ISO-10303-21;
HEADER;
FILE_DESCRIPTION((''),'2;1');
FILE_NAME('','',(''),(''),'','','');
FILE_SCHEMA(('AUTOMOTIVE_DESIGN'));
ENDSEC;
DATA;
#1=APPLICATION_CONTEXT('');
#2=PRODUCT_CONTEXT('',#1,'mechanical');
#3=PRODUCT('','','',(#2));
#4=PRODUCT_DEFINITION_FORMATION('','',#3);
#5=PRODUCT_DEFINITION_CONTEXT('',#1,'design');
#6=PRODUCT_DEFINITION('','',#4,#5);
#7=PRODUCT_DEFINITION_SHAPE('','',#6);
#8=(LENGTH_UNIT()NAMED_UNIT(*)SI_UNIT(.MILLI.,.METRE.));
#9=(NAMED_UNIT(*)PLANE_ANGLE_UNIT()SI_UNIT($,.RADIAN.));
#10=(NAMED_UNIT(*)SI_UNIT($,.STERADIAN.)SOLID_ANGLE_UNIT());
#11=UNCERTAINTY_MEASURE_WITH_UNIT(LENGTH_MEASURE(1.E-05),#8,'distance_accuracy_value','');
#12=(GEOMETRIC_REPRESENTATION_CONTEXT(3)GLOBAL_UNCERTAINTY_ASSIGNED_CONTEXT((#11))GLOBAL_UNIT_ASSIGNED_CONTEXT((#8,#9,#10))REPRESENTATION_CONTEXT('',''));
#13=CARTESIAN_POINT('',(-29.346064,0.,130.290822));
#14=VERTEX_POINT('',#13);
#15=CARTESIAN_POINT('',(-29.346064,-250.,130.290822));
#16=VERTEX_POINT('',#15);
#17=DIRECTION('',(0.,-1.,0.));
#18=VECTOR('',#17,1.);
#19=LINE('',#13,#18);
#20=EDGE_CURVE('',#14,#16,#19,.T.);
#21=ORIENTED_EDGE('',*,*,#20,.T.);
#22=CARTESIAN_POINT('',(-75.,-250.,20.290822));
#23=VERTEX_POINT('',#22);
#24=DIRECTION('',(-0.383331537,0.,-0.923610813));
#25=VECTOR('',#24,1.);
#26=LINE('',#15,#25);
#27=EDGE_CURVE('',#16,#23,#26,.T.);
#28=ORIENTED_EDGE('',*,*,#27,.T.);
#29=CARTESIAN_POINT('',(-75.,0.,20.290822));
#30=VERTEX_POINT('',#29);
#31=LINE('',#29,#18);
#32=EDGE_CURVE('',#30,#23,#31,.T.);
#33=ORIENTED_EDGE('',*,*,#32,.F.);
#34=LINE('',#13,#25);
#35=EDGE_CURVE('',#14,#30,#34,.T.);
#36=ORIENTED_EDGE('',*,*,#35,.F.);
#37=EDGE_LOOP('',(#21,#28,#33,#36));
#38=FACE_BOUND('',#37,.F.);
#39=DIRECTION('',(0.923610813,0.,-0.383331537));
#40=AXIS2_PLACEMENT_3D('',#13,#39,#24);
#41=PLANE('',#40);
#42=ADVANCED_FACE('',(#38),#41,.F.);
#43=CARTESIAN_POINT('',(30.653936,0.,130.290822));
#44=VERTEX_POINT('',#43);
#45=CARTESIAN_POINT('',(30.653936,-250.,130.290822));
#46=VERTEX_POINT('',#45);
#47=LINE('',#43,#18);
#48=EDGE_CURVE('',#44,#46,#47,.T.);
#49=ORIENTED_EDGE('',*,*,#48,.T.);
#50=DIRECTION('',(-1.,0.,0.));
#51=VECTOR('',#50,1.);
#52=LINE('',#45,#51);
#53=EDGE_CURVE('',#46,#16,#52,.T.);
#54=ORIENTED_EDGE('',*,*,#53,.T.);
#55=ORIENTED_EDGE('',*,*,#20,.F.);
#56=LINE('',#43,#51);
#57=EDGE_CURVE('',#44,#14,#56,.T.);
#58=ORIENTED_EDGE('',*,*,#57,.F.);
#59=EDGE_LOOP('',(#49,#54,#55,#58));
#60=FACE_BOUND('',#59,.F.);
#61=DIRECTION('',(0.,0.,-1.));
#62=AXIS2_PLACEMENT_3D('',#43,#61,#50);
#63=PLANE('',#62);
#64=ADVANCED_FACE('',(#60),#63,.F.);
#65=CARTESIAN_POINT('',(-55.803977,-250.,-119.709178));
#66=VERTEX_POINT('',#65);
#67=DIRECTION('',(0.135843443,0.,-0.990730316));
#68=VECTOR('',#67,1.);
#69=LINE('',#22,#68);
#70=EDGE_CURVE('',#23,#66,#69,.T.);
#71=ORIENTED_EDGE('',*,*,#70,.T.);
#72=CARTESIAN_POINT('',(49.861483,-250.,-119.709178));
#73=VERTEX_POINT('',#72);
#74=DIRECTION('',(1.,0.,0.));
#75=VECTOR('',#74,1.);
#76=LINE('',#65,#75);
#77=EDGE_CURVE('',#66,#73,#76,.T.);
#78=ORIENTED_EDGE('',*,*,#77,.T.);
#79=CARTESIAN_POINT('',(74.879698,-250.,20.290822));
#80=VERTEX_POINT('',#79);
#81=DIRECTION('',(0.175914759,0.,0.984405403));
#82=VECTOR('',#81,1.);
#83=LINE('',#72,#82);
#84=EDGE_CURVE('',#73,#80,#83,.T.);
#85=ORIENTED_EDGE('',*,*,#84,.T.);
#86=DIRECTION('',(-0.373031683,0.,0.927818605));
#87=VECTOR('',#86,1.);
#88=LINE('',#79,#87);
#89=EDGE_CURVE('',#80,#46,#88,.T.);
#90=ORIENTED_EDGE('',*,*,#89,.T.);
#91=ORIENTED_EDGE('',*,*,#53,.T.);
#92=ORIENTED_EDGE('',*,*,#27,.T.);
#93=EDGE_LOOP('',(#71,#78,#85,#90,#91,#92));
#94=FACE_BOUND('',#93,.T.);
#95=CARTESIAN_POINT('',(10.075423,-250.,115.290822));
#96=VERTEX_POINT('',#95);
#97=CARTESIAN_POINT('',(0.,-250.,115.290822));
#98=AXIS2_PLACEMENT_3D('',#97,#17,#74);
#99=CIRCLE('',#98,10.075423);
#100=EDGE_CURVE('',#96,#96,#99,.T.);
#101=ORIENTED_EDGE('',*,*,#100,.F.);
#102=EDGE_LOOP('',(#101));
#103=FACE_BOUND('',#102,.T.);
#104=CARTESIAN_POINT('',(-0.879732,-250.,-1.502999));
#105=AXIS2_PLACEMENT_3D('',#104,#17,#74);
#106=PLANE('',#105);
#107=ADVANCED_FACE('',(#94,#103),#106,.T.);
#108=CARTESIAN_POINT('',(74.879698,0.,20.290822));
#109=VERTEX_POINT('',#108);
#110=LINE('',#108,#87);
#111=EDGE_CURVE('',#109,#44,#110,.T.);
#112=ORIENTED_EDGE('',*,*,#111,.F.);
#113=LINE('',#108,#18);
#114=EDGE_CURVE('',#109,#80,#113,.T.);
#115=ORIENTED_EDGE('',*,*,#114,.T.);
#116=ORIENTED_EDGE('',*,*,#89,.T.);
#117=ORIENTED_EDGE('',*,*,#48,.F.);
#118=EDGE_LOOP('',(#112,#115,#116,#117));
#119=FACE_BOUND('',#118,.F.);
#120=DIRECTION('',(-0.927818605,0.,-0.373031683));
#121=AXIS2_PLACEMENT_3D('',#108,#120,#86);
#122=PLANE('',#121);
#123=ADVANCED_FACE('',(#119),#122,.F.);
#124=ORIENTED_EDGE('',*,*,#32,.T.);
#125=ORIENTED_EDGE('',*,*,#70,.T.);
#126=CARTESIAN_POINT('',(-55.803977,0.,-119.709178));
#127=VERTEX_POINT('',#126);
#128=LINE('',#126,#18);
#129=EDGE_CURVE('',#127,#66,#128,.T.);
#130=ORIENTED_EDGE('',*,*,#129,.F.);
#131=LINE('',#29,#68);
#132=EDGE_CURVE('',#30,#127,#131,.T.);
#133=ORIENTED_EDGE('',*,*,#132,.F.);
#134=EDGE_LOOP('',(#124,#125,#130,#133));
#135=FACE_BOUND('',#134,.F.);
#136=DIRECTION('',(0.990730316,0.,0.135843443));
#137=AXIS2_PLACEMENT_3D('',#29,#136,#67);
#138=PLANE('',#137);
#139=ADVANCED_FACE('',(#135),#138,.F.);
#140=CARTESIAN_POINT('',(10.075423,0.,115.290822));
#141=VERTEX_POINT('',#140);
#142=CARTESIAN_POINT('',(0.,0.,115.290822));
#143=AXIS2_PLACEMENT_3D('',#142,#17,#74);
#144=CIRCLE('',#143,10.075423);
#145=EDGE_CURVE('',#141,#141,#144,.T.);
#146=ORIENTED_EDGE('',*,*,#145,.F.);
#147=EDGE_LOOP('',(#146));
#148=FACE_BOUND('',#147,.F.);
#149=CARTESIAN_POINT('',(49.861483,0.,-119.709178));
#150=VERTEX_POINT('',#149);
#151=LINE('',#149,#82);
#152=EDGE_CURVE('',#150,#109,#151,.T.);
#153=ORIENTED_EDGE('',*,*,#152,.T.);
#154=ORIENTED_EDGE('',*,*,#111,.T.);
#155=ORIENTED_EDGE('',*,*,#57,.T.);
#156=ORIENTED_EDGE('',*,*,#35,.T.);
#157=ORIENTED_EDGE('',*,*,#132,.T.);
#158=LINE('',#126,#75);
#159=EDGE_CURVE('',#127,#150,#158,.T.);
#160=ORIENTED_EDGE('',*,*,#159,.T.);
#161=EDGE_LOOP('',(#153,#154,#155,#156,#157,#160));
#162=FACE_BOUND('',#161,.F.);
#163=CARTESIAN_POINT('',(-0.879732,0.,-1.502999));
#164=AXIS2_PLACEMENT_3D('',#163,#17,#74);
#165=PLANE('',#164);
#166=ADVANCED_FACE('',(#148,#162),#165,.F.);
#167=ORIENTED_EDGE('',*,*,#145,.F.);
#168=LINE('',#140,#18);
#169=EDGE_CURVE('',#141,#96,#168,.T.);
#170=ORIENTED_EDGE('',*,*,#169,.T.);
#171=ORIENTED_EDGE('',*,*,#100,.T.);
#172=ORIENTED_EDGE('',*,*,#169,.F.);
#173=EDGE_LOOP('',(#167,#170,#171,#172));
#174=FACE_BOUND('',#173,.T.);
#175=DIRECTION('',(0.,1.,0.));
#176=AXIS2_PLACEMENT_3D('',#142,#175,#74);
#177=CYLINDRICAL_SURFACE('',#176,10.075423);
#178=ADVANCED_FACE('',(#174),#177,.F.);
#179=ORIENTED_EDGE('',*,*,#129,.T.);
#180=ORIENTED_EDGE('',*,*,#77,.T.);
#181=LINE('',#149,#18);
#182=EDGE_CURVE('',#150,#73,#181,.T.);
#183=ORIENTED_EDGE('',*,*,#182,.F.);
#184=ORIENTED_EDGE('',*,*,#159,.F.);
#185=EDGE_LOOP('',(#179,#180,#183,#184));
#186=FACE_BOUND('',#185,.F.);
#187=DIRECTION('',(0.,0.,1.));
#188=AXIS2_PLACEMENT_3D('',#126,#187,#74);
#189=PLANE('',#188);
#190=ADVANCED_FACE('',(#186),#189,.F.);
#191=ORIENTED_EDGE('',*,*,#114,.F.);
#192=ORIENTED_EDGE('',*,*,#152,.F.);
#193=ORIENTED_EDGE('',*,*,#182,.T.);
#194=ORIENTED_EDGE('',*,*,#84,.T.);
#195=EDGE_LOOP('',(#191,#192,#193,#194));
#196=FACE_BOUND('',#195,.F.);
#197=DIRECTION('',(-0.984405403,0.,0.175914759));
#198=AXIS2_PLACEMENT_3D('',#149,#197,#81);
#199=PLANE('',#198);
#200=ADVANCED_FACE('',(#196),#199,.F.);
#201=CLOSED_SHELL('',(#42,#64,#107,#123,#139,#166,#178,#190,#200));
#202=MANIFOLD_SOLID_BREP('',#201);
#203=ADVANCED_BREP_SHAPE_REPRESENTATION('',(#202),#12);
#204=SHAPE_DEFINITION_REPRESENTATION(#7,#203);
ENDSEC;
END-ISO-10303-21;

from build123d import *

# Parameters (mm, degrees)
F0_R     = 10.0754230866
F1_DEPTH = 250


with BuildPart() as f1:
    # F0 (on Front) → F1 (new body)
    with BuildSketch(Plane.XZ):
        Polygon((1.384e-07, 130.2908220107), (-29.3460638914, 130.2908220107), (-75, 20.2908220107), (-55.803976953, -119.7091779893), (49.8614832759, -119.7091779893), (74.8796984553, 20.2908220107), (30.6539361086, 130.2908220107), align=None)
        with BuildLine():
            ThreePointArc((15, 115.2908220107), (-10.6066017667, 104.6842203418), (1.384e-07, 130.2908220107))
            ThreePointArc((1.384e-07, 130.2908220107), (10.6066017667, 125.8974236795), (15, 115.2908220107))
        make_face(mode=Mode.SUBTRACT)
        with BuildLine():
            ThreePointArc((15, 115.2908220107), (10.6066017667, 125.8974236795), (1.384e-07, 130.2908220107))
            ThreePointArc((1.384e-07, 130.2908220107), (-10.6066017667, 104.6842203418), (15, 115.2908220107))
        make_face()
        with Locations((0, 115.2908220107)):
            Circle(F0_R, mode=Mode.SUBTRACT)
    extrude(amount=F1_DEPTH)


solid = f1.part
